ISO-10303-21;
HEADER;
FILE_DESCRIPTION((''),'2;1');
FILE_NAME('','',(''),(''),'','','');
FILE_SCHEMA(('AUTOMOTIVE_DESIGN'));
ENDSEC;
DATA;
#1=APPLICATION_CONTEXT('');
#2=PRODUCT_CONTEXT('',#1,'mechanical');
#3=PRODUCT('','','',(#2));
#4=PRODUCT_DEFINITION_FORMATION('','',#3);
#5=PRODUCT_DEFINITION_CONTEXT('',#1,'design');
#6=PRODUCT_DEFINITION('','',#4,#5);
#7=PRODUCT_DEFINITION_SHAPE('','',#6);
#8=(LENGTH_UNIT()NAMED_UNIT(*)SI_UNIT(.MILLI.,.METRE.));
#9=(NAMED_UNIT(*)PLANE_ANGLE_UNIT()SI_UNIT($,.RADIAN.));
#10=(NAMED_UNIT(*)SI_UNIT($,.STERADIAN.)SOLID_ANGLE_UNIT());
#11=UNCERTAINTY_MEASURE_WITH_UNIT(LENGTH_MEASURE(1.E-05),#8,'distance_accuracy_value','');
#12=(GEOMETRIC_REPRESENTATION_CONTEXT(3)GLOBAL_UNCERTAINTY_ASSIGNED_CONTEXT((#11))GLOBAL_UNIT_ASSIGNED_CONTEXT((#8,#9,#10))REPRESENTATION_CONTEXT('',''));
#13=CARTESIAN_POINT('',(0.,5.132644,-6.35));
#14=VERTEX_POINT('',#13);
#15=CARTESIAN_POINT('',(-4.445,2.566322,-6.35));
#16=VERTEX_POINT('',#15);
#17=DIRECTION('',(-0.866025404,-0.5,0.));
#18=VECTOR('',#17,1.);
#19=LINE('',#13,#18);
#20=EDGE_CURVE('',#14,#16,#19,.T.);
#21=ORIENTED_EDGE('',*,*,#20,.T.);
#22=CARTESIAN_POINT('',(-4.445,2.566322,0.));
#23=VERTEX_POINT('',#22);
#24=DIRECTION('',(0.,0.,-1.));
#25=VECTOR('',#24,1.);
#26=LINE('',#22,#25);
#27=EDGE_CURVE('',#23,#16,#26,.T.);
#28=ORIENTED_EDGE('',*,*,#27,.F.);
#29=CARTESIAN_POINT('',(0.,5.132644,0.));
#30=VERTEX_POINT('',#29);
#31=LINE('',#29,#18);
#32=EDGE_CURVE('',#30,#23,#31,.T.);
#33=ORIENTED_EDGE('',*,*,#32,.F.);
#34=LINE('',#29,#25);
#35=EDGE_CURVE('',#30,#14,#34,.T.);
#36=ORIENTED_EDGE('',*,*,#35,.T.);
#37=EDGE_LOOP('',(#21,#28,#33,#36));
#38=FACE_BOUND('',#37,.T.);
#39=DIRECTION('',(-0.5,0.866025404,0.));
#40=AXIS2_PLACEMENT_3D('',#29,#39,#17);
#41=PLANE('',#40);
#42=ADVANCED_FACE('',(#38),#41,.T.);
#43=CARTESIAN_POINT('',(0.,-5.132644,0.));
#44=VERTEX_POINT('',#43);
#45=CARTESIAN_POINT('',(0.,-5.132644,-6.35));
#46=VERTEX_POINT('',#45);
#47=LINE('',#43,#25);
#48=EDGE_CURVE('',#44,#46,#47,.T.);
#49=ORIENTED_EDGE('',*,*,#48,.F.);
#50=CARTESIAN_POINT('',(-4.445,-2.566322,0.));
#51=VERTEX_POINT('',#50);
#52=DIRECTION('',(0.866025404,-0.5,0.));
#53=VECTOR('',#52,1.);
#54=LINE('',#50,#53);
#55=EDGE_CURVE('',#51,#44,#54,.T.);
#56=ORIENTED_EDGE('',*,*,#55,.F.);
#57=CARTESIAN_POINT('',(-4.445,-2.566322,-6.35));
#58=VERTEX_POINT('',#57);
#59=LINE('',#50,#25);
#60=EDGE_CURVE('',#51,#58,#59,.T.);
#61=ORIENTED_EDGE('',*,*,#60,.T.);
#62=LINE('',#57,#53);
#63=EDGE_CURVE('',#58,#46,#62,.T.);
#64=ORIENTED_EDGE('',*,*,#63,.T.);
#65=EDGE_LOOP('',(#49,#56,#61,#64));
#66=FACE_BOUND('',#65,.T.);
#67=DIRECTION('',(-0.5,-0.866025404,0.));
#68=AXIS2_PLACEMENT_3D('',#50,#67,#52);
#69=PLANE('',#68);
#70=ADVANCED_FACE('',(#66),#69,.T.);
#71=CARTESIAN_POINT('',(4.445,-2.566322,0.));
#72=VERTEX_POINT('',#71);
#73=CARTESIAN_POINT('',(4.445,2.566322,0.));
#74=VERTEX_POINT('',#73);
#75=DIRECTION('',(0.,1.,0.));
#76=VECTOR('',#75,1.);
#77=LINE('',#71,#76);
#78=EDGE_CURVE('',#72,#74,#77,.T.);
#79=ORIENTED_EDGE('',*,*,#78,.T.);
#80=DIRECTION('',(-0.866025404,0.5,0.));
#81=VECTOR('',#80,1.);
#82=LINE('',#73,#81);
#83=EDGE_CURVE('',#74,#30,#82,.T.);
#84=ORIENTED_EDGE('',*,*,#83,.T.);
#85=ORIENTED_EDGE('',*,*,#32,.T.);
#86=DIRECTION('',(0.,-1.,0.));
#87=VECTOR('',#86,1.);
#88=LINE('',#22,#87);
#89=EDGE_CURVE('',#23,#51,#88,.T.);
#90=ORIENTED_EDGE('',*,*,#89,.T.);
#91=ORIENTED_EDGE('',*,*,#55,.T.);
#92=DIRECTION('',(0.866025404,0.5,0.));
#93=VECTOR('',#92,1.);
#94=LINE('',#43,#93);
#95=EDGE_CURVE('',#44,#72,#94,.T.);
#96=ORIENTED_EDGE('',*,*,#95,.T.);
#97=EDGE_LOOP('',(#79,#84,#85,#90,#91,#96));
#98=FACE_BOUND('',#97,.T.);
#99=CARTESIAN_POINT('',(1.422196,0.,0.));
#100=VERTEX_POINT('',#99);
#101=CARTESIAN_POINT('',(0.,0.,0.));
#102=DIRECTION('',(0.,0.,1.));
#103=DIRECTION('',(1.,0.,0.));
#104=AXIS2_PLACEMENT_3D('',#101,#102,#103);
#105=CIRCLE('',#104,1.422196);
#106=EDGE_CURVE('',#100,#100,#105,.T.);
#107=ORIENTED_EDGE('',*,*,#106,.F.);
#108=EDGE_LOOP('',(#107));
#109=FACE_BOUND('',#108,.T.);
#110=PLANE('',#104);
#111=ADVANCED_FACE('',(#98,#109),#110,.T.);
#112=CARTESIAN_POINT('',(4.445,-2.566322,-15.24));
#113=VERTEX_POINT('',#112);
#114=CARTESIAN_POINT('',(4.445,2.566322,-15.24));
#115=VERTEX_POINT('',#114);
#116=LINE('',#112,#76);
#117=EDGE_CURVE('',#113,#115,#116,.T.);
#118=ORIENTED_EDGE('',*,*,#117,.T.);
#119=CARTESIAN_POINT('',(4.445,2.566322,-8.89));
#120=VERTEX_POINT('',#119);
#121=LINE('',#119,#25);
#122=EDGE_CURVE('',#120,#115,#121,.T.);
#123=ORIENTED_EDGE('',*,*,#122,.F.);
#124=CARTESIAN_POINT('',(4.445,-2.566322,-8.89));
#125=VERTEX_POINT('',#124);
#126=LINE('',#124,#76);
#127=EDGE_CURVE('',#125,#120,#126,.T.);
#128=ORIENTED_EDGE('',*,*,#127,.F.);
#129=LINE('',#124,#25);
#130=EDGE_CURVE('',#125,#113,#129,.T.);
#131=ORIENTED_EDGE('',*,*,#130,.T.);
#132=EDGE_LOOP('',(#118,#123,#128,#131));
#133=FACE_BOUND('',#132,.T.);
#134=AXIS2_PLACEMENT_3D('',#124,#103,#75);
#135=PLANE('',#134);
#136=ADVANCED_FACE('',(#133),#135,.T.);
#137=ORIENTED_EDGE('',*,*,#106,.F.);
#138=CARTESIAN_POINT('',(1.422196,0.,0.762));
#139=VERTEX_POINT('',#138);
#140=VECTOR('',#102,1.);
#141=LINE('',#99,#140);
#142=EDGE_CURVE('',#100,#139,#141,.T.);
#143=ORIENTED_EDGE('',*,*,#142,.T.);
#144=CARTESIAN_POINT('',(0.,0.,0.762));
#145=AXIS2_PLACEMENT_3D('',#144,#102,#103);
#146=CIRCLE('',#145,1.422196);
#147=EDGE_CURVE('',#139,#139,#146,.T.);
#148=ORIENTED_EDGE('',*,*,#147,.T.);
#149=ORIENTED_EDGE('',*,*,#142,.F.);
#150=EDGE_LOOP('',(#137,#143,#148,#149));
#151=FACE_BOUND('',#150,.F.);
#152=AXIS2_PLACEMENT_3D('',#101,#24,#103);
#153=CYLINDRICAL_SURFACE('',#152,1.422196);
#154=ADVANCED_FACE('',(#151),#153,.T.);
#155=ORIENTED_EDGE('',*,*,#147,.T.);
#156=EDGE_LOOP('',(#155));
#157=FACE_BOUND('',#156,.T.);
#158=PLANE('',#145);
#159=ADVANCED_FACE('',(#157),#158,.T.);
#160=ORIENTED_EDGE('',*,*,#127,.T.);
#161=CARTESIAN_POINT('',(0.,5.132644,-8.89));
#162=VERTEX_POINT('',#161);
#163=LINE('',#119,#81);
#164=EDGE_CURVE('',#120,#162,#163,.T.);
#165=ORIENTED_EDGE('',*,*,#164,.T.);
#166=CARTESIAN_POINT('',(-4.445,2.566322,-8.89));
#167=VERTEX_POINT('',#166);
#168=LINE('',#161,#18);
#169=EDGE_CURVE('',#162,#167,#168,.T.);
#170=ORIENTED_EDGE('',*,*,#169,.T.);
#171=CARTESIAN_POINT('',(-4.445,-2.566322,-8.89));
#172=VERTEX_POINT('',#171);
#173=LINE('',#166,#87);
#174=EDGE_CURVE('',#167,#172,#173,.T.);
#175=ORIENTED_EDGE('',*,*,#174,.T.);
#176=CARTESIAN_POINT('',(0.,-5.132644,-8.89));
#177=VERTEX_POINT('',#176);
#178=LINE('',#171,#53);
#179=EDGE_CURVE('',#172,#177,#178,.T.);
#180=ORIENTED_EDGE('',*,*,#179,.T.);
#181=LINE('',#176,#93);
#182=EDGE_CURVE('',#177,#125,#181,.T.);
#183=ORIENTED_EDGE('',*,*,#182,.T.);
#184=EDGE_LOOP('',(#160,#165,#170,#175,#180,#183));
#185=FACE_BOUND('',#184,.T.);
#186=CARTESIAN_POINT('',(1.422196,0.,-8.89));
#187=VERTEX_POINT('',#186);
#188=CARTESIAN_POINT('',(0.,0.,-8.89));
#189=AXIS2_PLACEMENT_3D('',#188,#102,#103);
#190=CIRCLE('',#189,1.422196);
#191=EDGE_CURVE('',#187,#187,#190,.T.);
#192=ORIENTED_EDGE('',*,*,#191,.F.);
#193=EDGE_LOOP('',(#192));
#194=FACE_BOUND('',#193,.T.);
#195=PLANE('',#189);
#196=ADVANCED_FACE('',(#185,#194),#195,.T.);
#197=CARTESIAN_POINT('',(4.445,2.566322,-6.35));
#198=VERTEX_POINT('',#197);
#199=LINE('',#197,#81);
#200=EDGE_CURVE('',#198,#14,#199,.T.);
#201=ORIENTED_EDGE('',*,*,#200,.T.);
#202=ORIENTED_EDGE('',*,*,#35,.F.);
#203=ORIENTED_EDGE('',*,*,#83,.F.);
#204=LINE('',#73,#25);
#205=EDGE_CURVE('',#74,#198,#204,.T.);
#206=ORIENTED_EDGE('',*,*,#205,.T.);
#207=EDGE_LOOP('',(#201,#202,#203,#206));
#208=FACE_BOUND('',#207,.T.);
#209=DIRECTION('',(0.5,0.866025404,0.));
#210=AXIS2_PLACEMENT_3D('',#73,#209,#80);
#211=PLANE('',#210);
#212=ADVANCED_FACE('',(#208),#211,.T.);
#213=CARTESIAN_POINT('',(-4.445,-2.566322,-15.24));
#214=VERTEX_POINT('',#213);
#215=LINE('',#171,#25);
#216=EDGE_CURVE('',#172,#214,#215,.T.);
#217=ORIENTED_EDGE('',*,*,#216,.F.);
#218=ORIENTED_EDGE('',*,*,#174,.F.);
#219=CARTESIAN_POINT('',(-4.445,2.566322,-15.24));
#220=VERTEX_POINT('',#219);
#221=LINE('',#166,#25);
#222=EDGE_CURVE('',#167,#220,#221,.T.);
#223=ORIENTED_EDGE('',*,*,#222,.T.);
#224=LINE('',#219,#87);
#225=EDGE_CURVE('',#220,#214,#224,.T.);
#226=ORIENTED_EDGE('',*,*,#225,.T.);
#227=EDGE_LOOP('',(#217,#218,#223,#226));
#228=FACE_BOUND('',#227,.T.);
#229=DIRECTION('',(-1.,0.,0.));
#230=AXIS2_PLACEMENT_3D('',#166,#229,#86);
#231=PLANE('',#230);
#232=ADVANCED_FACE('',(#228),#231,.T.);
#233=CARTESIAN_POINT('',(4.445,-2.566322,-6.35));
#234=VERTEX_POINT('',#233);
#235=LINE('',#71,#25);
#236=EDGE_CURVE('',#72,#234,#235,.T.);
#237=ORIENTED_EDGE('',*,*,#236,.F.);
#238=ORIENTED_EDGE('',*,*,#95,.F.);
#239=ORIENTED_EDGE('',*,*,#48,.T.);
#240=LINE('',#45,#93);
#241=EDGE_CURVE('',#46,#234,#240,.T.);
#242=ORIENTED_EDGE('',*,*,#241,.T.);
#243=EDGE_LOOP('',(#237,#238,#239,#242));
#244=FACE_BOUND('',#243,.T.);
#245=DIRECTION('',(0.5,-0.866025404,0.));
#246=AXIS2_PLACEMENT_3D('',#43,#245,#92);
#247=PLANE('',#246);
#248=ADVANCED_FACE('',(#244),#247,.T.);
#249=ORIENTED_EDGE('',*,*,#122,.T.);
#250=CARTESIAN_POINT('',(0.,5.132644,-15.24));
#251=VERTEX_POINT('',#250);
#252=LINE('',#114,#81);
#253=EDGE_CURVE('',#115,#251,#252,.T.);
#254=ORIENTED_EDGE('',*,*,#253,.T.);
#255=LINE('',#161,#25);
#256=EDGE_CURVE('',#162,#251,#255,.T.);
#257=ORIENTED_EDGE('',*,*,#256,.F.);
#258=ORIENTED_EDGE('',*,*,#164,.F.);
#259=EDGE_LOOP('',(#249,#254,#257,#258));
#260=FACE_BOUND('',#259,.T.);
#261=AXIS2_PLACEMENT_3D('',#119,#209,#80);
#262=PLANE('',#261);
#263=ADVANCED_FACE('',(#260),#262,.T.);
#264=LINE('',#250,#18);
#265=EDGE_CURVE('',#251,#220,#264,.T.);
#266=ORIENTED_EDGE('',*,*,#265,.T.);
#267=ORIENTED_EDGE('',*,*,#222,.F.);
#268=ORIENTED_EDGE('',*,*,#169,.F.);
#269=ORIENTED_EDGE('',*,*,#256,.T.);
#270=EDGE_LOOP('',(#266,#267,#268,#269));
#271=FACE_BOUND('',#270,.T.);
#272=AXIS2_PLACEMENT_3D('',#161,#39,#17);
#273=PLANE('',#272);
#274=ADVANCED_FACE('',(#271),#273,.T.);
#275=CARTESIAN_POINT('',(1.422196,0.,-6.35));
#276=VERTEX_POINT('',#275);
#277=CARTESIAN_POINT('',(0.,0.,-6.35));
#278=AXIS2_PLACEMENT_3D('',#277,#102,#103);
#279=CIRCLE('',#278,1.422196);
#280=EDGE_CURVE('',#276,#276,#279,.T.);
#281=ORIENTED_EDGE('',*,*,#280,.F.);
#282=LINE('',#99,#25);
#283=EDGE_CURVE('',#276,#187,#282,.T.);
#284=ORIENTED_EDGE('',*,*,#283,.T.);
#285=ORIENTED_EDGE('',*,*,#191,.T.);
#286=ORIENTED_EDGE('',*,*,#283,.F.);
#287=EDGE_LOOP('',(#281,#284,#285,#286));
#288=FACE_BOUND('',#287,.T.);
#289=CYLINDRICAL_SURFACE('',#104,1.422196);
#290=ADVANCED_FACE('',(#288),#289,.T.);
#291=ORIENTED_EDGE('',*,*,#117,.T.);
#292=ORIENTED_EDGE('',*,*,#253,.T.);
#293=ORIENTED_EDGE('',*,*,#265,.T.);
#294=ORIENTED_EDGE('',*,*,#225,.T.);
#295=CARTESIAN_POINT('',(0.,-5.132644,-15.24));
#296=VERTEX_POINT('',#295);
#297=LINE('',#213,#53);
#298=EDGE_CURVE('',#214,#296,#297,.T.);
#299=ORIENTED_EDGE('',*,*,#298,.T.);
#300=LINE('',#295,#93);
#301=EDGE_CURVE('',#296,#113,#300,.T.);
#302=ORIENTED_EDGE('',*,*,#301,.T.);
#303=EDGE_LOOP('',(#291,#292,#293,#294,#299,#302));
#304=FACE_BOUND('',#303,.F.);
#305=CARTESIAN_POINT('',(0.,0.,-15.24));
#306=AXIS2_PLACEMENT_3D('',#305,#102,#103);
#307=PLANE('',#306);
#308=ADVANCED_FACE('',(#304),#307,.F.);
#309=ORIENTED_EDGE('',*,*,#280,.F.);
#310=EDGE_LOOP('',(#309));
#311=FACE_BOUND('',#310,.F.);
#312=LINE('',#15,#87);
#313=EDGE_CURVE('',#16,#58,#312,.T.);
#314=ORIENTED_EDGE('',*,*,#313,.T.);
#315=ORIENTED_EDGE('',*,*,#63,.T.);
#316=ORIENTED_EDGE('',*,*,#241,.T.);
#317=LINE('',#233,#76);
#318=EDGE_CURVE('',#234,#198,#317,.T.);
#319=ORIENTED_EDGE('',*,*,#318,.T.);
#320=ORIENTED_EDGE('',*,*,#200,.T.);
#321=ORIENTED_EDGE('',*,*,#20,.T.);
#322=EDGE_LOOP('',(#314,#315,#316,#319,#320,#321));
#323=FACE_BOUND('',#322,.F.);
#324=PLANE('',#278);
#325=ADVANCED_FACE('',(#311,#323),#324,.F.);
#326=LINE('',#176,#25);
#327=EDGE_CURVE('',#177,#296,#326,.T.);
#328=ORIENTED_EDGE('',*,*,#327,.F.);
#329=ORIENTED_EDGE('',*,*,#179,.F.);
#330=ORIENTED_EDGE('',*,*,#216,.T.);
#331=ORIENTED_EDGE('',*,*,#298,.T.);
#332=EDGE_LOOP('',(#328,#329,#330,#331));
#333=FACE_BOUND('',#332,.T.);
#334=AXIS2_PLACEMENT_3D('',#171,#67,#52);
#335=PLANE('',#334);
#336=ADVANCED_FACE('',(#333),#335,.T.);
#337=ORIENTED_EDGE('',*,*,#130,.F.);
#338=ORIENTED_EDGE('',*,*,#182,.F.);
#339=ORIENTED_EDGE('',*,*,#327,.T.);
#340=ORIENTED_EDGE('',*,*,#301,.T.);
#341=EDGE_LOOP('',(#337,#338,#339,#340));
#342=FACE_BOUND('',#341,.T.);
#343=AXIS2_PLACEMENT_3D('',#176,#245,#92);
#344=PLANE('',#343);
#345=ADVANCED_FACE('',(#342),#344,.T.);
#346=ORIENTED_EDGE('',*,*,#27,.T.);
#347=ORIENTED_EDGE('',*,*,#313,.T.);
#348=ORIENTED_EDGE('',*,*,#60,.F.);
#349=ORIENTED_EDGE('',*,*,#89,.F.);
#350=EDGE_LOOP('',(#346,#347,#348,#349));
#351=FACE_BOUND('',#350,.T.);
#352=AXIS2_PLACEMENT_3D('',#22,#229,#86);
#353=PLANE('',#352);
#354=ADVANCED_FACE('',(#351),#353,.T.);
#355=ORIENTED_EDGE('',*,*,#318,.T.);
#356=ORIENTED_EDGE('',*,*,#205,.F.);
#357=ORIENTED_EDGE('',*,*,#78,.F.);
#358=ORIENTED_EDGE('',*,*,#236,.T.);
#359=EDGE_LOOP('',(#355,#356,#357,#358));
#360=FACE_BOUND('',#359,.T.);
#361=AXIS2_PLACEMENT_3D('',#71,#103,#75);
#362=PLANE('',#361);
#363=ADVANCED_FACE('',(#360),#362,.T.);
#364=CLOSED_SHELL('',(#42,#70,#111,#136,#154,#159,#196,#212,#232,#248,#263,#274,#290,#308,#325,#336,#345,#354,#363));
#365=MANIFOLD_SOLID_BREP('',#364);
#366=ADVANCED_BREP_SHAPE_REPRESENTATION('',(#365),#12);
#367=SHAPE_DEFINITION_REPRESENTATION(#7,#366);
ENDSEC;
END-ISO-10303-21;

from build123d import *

# Parameters (mm, degrees)
F0_R          = 1.4221963341
F1_DEPTH      = 6.35
F2_DEPTH      = 0.762
F2_DEPTH_BACK = 15.24
F3_START      = -8.89
F3_DEPTH      = 6.35


with BuildPart() as f1:
    # F0 (on Top) → F1 (new body)
    with BuildSketch(Plane.XY):
        Polygon((4.445, -2.5663219465), (4.445, 2.5663219465), (0, 5.1326438931), (-4.445, 2.5663219465), (-4.445, -2.5663219465), (0, -5.1326438931), align=None)
        Circle(F0_R, mode=Mode.SUBTRACT)
    extrude(amount=-F1_DEPTH)

    # F0 (on Top) → F2 (join, two sides)
    with BuildSketch(Plane.XY) as f2_sk:
        Circle(F0_R)
    extrude(amount=F2_DEPTH)
    extrude(f2_sk.sketch, amount=-F2_DEPTH_BACK)

    # F0 (on Top) → F3 (join)
    with BuildSketch(Plane.XY.offset(F3_START)):
        Polygon((4.445, -2.5663219465), (4.445, 2.5663219465), (0, 5.1326438931), (-4.445, 2.5663219465), (-4.445, -2.5663219465), (0, -5.1326438931), align=None)
        Circle(F0_R, mode=Mode.SUBTRACT)
    extrude(amount=-F3_DEPTH)


solid = f1.part
